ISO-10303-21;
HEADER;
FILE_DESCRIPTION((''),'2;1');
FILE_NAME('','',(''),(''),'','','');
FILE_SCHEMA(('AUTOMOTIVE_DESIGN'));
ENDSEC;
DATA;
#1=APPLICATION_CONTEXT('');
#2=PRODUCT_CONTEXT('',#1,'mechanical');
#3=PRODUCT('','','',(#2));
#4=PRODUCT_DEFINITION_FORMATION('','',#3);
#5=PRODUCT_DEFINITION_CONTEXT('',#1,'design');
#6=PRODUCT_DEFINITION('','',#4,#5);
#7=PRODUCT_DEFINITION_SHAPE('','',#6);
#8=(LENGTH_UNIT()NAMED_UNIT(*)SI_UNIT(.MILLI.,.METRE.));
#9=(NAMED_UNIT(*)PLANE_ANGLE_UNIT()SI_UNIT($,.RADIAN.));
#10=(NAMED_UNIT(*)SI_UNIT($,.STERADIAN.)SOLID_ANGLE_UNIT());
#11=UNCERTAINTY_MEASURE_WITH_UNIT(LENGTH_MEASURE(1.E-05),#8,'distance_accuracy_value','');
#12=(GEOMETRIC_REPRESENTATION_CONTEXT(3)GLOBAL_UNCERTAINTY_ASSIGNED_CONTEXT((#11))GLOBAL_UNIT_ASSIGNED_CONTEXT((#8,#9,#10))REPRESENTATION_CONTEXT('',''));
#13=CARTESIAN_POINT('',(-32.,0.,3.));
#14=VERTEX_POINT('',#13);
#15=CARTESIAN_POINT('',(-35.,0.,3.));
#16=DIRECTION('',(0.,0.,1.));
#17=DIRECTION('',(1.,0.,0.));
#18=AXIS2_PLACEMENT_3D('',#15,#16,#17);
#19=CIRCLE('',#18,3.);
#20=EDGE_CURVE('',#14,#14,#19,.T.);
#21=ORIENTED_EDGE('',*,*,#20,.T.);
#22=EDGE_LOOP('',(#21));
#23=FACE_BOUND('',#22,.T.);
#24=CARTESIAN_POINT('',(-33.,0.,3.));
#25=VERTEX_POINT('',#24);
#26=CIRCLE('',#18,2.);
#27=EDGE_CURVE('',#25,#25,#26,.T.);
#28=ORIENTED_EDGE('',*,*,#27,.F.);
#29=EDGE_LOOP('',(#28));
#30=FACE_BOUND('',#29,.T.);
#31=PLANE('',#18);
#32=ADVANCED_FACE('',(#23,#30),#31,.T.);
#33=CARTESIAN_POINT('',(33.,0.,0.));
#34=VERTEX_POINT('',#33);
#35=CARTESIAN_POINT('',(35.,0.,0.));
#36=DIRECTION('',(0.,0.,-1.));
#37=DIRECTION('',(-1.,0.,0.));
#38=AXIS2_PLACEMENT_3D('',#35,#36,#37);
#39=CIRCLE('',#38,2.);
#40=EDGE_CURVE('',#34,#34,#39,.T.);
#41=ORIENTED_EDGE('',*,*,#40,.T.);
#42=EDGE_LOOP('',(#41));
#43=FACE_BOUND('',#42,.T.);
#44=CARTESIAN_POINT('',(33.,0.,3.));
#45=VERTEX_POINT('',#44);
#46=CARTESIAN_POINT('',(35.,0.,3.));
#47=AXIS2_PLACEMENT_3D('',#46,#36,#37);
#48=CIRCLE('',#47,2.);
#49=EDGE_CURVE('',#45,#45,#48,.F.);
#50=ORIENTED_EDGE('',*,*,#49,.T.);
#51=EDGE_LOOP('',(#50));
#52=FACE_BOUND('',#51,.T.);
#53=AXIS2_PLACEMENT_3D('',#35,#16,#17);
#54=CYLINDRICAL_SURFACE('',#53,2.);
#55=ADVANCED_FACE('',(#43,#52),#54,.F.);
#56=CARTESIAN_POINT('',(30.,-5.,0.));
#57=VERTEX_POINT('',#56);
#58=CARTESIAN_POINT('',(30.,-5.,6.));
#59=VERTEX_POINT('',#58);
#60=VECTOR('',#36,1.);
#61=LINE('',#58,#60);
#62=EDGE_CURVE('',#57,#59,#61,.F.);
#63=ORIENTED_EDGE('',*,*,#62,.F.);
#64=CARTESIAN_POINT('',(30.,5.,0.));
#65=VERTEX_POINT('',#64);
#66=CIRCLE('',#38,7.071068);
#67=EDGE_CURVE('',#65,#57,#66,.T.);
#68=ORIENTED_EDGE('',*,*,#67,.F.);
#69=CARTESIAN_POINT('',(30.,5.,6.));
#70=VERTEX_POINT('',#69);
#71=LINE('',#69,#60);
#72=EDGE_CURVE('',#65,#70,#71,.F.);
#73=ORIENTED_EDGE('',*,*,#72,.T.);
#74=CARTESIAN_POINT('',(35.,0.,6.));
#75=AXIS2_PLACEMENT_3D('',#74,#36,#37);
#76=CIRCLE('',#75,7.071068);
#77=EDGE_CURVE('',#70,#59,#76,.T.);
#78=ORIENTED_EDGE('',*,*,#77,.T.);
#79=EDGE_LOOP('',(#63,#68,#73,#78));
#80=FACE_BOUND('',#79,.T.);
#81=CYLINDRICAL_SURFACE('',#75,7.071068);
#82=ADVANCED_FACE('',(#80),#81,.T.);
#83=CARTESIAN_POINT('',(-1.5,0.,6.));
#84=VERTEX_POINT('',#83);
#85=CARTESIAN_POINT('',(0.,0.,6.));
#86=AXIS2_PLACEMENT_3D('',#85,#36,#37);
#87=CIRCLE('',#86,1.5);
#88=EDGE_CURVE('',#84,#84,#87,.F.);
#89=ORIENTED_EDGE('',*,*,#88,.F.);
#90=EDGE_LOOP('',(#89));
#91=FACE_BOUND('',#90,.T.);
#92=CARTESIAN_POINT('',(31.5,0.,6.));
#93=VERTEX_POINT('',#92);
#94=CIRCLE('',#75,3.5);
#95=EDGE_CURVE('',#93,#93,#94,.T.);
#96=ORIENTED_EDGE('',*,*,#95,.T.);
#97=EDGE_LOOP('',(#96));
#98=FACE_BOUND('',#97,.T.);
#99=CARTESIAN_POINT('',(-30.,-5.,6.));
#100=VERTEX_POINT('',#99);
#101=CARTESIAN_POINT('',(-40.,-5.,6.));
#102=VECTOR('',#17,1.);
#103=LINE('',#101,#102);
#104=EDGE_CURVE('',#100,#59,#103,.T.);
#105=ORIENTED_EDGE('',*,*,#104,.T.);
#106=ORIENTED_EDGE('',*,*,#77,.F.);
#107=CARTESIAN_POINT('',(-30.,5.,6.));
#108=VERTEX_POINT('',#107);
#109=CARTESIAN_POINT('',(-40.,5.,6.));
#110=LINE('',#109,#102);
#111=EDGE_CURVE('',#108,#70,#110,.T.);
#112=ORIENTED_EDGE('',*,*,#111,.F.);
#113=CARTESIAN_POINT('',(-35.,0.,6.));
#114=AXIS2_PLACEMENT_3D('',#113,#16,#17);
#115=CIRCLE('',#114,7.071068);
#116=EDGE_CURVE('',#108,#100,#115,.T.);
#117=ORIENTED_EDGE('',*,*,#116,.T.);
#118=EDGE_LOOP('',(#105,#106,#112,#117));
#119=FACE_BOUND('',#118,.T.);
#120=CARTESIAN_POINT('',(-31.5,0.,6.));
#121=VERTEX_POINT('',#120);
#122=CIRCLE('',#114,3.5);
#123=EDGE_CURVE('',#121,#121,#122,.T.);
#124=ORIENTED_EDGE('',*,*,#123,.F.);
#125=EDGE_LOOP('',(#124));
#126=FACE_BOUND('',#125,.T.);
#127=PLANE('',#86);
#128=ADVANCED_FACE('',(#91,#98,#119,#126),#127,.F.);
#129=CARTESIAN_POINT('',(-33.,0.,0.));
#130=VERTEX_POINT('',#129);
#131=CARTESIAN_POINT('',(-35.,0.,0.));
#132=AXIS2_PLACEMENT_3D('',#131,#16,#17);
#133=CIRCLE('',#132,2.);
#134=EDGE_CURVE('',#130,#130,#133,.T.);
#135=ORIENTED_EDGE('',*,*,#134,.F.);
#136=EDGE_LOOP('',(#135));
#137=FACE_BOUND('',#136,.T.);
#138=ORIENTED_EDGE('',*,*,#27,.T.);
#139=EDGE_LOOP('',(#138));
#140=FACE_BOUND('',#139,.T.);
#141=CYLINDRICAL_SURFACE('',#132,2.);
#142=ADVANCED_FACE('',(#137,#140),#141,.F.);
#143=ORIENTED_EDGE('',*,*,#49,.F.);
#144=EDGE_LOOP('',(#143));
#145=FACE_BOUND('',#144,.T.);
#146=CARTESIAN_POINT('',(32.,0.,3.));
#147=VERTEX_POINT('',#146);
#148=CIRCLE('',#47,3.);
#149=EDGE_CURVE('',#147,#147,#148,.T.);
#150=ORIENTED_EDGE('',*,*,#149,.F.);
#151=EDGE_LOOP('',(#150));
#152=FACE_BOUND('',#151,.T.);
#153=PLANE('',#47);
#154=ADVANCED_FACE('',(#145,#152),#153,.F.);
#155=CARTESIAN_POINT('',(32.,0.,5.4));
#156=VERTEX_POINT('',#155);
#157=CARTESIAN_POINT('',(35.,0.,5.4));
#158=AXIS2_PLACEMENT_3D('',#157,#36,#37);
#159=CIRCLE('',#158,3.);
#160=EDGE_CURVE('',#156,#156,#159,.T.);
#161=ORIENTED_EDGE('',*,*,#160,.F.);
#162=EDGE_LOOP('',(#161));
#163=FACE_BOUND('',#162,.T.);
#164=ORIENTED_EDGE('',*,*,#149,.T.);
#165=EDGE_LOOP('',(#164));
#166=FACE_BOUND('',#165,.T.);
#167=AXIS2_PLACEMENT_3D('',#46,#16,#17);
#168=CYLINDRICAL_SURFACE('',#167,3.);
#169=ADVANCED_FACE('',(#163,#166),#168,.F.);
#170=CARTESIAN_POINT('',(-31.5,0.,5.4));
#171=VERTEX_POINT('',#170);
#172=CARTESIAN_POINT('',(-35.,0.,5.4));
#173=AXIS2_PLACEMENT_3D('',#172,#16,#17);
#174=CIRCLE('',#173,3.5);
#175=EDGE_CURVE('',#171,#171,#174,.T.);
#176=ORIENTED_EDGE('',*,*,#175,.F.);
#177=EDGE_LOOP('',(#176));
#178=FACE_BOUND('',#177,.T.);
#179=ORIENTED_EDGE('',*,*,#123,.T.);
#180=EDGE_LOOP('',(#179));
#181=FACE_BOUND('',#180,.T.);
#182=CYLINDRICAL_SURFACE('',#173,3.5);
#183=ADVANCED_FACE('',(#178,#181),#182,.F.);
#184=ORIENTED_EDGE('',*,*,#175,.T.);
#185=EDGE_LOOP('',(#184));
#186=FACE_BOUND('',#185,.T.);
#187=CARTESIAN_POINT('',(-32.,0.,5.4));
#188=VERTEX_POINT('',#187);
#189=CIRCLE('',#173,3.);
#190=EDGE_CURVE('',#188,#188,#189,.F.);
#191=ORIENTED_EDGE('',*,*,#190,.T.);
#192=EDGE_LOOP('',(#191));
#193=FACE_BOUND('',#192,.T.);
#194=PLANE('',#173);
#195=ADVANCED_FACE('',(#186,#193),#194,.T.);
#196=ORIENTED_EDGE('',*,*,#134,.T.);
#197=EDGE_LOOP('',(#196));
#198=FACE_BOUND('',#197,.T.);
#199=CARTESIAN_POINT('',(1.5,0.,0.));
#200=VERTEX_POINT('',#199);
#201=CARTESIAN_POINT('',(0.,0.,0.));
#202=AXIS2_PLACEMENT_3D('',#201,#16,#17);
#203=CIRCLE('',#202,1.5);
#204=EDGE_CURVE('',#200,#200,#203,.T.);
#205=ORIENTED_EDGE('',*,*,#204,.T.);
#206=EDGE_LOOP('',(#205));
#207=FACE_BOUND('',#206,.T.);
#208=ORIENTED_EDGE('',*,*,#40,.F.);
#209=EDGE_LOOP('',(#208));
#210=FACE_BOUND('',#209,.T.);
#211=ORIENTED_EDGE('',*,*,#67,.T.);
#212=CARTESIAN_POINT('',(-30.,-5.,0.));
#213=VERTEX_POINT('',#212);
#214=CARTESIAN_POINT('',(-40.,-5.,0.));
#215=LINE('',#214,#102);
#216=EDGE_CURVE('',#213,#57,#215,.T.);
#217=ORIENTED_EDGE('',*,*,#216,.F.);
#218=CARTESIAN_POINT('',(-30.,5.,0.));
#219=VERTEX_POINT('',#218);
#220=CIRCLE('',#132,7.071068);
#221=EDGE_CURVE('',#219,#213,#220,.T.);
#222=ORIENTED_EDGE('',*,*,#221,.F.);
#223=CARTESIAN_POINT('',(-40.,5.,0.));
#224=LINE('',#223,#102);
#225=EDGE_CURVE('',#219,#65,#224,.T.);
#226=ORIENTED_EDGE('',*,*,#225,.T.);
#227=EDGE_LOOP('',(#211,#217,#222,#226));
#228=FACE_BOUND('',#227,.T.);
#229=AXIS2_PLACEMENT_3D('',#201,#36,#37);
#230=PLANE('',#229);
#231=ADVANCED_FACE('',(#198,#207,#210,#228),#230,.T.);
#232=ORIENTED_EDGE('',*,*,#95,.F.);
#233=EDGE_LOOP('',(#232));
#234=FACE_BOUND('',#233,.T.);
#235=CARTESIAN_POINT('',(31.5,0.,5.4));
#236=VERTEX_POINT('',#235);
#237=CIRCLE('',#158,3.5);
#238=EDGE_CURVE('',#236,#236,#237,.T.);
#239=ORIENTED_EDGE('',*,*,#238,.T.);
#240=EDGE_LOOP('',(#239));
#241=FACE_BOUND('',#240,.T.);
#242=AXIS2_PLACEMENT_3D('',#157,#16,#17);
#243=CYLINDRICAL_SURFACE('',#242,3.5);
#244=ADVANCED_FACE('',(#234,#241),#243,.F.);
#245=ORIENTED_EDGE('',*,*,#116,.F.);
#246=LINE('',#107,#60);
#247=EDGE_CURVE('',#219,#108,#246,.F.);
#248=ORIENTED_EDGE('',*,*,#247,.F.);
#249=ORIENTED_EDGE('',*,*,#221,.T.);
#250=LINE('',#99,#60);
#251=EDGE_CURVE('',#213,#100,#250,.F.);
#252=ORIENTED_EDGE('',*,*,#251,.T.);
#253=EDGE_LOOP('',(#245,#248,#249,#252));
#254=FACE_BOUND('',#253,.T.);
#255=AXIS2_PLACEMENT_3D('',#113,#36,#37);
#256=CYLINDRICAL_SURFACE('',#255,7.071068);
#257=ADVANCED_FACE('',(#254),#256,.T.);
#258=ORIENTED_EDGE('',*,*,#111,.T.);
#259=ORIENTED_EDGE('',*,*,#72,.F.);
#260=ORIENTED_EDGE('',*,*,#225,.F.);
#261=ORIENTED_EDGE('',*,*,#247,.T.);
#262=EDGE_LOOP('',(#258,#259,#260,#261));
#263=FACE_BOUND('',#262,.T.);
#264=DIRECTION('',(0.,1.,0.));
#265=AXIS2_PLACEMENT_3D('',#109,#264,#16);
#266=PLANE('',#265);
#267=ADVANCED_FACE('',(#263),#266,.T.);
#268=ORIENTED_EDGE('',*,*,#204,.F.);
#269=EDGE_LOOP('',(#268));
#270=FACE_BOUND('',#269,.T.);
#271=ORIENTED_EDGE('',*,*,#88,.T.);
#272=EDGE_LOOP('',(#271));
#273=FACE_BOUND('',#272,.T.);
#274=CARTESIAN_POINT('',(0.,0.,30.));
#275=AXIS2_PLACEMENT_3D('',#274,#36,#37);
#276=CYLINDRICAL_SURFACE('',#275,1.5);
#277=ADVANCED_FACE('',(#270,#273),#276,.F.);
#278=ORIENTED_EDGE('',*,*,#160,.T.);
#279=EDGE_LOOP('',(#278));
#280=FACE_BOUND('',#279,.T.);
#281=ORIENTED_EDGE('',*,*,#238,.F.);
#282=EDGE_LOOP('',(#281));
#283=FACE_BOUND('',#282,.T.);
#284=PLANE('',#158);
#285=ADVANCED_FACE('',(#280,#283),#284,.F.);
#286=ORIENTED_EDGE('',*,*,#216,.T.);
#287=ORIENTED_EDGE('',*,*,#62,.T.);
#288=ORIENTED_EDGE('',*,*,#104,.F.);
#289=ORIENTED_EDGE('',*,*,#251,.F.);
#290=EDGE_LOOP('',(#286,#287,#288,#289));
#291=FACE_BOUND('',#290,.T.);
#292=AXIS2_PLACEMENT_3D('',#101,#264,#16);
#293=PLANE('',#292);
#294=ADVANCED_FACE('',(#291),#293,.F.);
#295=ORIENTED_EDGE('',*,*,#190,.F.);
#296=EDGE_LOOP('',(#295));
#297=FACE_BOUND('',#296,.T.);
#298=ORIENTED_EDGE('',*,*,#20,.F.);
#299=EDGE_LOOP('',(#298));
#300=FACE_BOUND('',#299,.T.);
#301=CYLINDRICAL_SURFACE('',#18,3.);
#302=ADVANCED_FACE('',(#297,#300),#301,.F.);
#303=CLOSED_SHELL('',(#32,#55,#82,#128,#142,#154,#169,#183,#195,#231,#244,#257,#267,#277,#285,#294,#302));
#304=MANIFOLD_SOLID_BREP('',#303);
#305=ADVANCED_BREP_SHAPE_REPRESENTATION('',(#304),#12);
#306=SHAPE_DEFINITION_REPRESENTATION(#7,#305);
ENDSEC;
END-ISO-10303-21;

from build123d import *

# Parameters (mm, degrees)
SKETCH1_R               = 7.071067812
SKETCH1_R_2             = 3
SKETCH1_W               = 80
SKETCH1_H               = 10
BOSS_EXTRUDE1_DEPTH     = 6
SKETCH2_R               = 3
CUT_EXTRUDE1_DEPTH      = 3
SKETCH3_R               = 2
CUT_EXTRUDE2_DEPTH      = 44.081025369
SKETCH4_R               = 3.5
CUT_EXTRUDE3_DEPTH      = 0.6
CUT_EXTRUDE4_DEPTH      = 24
CUT_EXTRUDE4_DEPTH_BACK = 44.081025369
SKETCH5_R               = 1.5


with BuildPart() as part:
    # Sketch1 → Boss-Extrude1 (new body)
    with BuildSketch(Plane.XY):
        with Locations((-35, 0)):
            Circle(SKETCH1_R)
        with Locations((-35, 0)):
            Circle(SKETCH1_R_2)
        with Locations((35, 0)):
            Circle(SKETCH1_R)
        with Locations((35, 0)):
            Circle(SKETCH1_R_2)
        Rectangle(SKETCH1_W, SKETCH1_H)
    extrude(amount=BOSS_EXTRUDE1_DEPTH)

    # Sketch2 → Cut-Extrude1 (cut)
    with BuildSketch(Plane.XY.offset(6)):
        with Locations((-35, 0)):
            Circle(SKETCH2_R)
        with Locations((35, 0)):
            Circle(SKETCH2_R)
    extrude(amount=-CUT_EXTRUDE1_DEPTH, mode=Mode.SUBTRACT)

    # Sketch3 → Cut-Extrude2 (cut, through all)
    with BuildSketch(Plane.XY.offset(6)):
        with Locations((-35, 0)):
            Circle(SKETCH3_R)
        with Locations((35, 0)):
            Circle(SKETCH3_R)
    extrude(amount=-CUT_EXTRUDE2_DEPTH, mode=Mode.SUBTRACT)

    # Sketch4 → Cut-Extrude3 (cut)
    with BuildSketch(Plane.XY.offset(6)):
        with Locations((-35, 0)):
            Circle(SKETCH4_R)
        with Locations((35, 0)):
            Circle(SKETCH4_R)
    extrude(amount=-CUT_EXTRUDE3_DEPTH, mode=Mode.SUBTRACT)

    # Sketch5 → Cut-Extrude4 (cut, two sides: drawn at the far end of the back side and taken through both)
    with BuildSketch(Plane.XY.offset(6).offset(-CUT_EXTRUDE4_DEPTH_BACK)):
        Circle(SKETCH5_R)
    extrude(amount=CUT_EXTRUDE4_DEPTH + CUT_EXTRUDE4_DEPTH_BACK, mode=Mode.SUBTRACT)


solid = part.part
